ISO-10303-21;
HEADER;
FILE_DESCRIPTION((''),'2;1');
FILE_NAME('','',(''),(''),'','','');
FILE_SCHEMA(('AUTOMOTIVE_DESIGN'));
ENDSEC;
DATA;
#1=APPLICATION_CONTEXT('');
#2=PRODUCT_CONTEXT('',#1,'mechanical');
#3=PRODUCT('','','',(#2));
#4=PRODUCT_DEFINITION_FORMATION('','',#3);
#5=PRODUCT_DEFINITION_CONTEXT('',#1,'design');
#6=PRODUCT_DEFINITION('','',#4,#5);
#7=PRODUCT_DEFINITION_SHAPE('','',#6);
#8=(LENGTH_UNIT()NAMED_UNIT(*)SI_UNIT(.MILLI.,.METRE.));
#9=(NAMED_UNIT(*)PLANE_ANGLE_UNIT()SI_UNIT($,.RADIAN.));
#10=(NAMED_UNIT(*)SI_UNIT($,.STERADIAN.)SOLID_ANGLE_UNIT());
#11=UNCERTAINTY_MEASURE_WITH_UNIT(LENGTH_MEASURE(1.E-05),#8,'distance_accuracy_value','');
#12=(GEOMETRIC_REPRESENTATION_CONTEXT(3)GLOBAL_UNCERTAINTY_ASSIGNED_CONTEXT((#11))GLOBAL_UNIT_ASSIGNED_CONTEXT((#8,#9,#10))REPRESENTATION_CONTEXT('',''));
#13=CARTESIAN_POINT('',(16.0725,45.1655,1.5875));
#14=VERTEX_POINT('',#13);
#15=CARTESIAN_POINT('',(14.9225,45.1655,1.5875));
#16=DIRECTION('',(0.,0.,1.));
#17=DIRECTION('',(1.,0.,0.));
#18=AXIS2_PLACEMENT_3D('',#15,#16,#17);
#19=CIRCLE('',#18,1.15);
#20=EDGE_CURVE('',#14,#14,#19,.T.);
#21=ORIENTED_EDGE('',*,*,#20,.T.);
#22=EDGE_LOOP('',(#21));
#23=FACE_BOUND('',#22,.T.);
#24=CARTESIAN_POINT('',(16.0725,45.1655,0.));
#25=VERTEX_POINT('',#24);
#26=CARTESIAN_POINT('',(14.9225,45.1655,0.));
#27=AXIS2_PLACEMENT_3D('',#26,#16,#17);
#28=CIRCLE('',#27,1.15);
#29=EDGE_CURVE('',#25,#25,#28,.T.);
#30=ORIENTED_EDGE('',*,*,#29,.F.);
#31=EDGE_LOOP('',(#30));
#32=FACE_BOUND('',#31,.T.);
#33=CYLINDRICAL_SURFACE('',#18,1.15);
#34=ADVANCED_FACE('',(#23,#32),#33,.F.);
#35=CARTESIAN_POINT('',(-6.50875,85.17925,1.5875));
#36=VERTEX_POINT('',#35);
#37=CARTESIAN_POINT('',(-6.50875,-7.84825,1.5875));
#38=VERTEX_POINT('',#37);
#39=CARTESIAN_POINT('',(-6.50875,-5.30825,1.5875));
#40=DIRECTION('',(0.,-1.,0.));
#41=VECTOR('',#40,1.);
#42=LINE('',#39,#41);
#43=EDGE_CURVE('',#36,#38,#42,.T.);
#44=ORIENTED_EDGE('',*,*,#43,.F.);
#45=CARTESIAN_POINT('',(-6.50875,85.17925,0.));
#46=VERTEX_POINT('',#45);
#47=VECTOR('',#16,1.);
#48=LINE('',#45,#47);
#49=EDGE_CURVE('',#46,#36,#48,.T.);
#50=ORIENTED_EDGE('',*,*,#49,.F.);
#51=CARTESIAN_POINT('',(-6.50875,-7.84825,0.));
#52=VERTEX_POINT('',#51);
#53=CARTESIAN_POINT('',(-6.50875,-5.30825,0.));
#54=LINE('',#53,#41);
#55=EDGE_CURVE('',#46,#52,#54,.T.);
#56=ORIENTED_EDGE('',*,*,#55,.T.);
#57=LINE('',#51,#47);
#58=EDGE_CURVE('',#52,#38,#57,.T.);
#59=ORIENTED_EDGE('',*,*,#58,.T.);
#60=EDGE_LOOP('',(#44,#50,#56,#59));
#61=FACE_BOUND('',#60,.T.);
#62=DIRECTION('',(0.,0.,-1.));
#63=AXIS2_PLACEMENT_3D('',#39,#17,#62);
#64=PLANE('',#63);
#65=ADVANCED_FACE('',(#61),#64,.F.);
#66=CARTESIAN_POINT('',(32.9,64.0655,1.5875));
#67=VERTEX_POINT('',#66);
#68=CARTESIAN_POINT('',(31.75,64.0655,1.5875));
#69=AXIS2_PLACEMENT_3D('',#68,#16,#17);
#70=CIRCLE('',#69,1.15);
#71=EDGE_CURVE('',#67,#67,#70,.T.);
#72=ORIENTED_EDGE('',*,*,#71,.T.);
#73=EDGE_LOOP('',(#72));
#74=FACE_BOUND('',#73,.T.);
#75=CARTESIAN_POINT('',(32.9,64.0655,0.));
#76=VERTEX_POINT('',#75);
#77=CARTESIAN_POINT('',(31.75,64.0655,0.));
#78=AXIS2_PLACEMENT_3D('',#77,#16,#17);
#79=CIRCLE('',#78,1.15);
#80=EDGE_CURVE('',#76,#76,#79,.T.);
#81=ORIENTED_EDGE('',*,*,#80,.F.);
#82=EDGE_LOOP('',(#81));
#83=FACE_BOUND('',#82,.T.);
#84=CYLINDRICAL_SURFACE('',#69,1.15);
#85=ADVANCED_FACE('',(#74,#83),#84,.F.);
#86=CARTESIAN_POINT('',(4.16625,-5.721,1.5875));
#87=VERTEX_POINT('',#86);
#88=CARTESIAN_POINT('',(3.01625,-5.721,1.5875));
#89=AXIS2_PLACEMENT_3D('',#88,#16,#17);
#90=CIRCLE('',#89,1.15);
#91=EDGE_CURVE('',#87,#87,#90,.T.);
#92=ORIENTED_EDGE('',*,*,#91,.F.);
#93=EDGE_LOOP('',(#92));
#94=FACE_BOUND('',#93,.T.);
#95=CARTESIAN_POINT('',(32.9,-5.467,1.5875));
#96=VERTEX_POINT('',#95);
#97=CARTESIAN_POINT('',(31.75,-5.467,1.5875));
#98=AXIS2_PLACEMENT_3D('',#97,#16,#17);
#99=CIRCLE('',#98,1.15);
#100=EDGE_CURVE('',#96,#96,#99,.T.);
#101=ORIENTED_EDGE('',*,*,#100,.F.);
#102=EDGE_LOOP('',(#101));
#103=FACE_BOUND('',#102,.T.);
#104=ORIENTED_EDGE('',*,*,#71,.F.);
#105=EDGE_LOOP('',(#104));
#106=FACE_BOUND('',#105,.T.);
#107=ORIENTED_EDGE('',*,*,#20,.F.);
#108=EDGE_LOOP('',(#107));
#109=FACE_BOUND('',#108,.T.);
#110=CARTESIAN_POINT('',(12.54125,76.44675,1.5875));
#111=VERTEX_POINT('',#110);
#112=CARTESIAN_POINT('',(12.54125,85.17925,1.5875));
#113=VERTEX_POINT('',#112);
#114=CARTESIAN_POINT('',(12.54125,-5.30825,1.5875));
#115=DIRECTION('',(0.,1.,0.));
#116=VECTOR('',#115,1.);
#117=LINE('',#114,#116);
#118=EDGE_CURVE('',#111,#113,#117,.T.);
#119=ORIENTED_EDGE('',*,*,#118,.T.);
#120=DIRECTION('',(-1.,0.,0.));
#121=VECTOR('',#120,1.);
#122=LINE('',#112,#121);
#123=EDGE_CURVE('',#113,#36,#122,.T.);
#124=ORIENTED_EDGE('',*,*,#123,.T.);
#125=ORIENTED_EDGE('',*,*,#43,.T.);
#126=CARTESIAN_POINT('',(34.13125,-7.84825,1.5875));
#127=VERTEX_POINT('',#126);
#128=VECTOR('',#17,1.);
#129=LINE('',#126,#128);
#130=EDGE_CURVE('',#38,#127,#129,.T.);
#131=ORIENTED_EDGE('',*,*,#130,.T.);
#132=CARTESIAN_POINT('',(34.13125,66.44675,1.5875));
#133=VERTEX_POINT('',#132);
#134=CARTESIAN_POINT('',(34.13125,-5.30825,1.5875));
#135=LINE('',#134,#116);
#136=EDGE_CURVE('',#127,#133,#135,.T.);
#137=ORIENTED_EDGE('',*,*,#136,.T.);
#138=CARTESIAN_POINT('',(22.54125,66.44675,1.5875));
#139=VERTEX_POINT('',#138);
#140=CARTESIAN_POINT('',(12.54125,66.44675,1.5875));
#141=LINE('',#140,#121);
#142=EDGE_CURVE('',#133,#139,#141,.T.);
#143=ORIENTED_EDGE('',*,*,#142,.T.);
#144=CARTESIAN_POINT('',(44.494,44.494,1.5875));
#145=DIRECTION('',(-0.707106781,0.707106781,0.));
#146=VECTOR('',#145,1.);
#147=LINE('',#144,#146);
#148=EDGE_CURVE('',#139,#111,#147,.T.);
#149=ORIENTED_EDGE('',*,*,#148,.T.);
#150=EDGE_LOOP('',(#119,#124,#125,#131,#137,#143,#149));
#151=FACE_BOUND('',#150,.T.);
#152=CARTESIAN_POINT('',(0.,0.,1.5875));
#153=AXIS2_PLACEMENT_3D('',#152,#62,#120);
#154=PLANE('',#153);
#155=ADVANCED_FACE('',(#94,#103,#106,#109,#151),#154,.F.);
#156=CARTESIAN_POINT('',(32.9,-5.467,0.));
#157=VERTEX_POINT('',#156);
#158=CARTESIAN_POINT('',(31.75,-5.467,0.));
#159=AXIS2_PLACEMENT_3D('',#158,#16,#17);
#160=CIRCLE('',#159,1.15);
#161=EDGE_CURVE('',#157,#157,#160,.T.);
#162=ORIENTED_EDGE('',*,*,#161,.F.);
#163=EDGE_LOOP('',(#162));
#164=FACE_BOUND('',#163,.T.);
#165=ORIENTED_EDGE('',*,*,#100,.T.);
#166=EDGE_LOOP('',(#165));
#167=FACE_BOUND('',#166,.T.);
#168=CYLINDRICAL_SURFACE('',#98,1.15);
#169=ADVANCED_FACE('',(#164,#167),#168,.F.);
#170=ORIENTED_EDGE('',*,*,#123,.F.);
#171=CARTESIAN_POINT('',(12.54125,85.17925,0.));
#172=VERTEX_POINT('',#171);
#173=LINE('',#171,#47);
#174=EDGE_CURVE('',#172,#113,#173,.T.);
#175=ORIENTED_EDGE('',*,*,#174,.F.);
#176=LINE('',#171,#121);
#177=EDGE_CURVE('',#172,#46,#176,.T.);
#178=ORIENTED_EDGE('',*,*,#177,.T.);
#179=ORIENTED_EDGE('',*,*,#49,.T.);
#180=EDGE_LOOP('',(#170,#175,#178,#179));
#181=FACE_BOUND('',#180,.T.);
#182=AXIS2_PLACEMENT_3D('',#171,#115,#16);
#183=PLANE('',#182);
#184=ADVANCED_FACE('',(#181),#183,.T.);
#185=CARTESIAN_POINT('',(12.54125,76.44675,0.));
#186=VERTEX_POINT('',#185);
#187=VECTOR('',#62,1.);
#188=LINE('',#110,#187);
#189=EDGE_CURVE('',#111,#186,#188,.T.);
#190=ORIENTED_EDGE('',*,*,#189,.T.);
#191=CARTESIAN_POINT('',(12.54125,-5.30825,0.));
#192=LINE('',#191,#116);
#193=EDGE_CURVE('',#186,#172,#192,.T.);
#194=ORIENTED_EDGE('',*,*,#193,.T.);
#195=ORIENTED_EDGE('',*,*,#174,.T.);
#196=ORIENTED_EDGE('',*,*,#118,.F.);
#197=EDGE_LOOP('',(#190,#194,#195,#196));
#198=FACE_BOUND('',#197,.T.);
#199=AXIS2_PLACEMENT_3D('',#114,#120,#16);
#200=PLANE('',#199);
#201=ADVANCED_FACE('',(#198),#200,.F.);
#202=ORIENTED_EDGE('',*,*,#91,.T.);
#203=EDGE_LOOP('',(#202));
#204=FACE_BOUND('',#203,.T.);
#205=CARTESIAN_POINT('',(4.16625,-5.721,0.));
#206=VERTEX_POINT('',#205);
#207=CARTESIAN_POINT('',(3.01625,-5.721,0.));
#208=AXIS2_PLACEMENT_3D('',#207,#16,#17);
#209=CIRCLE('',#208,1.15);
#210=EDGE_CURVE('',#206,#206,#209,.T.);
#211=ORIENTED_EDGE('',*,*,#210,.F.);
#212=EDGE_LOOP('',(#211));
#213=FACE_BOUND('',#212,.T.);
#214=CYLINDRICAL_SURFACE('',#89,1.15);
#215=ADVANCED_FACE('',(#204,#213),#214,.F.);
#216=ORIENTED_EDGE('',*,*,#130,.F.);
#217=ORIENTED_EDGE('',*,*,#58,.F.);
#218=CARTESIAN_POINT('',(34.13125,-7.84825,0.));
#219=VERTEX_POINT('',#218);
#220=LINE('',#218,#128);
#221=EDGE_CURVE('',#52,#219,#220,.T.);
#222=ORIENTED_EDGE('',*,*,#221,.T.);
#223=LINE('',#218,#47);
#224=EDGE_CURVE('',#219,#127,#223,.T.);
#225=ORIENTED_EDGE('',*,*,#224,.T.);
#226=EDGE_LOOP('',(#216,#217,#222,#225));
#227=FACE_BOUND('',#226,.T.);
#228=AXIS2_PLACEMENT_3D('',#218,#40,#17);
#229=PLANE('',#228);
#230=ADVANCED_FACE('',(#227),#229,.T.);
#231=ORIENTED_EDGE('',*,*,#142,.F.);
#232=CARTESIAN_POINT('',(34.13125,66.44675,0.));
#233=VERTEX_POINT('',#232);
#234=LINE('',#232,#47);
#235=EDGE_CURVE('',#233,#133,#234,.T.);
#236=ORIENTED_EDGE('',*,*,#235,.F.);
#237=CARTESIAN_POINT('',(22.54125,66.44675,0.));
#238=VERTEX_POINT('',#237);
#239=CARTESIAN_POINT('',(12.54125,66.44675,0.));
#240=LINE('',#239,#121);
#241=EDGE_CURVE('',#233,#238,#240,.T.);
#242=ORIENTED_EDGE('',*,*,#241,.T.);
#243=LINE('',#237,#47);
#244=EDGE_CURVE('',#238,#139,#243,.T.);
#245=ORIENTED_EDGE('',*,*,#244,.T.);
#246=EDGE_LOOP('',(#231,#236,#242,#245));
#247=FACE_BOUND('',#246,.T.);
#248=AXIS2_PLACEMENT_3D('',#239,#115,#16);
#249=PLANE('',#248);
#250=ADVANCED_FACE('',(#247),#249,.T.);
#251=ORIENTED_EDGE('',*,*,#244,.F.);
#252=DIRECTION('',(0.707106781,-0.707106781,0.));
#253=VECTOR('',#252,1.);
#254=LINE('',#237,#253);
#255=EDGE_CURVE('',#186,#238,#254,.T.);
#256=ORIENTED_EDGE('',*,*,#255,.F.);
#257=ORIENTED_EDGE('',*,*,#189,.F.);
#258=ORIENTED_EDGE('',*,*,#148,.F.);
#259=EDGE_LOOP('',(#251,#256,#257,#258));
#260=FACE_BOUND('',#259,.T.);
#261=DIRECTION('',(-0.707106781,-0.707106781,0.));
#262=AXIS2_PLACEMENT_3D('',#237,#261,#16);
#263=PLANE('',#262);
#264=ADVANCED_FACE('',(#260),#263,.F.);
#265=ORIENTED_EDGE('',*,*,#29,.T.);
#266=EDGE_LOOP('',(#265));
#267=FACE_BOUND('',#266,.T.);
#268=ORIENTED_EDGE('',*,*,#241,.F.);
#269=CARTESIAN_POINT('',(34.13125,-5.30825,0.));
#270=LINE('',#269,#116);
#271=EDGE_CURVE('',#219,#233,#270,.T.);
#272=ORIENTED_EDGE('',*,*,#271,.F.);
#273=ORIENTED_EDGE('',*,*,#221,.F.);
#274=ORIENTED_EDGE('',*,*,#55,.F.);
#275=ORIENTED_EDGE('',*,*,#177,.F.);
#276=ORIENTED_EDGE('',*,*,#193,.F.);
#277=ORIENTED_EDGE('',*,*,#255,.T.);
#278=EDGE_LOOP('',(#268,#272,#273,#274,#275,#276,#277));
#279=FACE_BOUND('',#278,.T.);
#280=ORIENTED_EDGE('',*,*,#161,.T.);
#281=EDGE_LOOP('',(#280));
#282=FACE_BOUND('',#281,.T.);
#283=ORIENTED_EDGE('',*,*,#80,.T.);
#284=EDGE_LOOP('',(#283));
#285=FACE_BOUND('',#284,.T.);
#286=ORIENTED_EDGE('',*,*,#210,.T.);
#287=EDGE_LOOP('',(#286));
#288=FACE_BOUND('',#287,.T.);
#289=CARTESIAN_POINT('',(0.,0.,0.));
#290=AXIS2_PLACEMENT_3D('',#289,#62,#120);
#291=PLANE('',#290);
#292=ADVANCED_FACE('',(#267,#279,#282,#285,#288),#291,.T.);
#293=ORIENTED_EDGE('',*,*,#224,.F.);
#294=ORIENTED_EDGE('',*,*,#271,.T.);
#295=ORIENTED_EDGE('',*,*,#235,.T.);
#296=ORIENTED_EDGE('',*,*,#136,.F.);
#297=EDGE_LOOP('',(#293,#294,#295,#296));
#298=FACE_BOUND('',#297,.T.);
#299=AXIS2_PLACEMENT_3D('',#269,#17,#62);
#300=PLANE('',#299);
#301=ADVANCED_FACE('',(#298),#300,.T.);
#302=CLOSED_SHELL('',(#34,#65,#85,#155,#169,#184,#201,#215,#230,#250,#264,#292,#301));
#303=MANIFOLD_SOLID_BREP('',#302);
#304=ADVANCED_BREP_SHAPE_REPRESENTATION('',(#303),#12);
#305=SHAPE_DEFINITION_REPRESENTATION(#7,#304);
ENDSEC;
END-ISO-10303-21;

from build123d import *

# Parameters (mm, degrees)
SKETCH1_W                  = 19.05
SKETCH1_H                  = 88.9
BOSS_EXTRUDE1_DEPTH        = 1.5875
SKETCH4_W                  = 21.59
SKETCH4_H                  = 71.755
BOSS_EXTRUDE2_DEPTH        = 1.5875
CHAMFER1_SIZE              = 10
SKETCH5_W                  = 40.64
SKETCH5_H                  = 2.54
SKETCH5_W_2                = 19.05
SKETCH5_H_2                = 1.5875
BOSS_EXTRUDE3_DEPTH        = 1.5875
F_2_3_2_3_DIAMETER_HOLE1_D = 2.3


with BuildPart() as part:
    # Sketch1 → Boss-Extrude1 (new body)
    with BuildSketch(Plane.XY):
        with Locations((3.01625, 39.14175)):
            Rectangle(SKETCH1_W, SKETCH1_H)
    extrude(amount=BOSS_EXTRUDE1_DEPTH)

    # Sketch4 → Boss-Extrude2 (add, through all)
    with BuildSketch(Plane.XY.offset(1.5875)):
        with Locations((23.33625, 30.56925)):
            Rectangle(SKETCH4_W, SKETCH4_H)
    extrude(amount=-BOSS_EXTRUDE2_DEPTH)

    # Chamfer1
    chamfer1_edges = [part.edges().sort_by_distance(p)[0] for p in [
        (12.54125, 66.44675, 0.79375),
    ]]
    chamfer(chamfer1_edges, length=CHAMFER1_SIZE)

    # Sketch5 → Boss-Extrude3 (add, through all)
    with BuildSketch(Plane.XY.offset(1.5875)):
        with Locations((13.81125, -6.57825)):
            Rectangle(SKETCH5_W, SKETCH5_H)
        with Locations((3.01625, 84.3855)):
            Rectangle(SKETCH5_W_2, SKETCH5_H_2)
    extrude(amount=-BOSS_EXTRUDE3_DEPTH)

    # Ø2.3 (2.3) Diameter Hole1 (through all)
    with Locations(Plane.XY.offset(1.5875)):
        with Locations((14.9225, 45.1655), (31.75, 64.0655), (31.75, -5.467), (3.01625, -5.721)):
            Hole(F_2_3_2_3_DIAMETER_HOLE1_D / 2)


solid = part.part
